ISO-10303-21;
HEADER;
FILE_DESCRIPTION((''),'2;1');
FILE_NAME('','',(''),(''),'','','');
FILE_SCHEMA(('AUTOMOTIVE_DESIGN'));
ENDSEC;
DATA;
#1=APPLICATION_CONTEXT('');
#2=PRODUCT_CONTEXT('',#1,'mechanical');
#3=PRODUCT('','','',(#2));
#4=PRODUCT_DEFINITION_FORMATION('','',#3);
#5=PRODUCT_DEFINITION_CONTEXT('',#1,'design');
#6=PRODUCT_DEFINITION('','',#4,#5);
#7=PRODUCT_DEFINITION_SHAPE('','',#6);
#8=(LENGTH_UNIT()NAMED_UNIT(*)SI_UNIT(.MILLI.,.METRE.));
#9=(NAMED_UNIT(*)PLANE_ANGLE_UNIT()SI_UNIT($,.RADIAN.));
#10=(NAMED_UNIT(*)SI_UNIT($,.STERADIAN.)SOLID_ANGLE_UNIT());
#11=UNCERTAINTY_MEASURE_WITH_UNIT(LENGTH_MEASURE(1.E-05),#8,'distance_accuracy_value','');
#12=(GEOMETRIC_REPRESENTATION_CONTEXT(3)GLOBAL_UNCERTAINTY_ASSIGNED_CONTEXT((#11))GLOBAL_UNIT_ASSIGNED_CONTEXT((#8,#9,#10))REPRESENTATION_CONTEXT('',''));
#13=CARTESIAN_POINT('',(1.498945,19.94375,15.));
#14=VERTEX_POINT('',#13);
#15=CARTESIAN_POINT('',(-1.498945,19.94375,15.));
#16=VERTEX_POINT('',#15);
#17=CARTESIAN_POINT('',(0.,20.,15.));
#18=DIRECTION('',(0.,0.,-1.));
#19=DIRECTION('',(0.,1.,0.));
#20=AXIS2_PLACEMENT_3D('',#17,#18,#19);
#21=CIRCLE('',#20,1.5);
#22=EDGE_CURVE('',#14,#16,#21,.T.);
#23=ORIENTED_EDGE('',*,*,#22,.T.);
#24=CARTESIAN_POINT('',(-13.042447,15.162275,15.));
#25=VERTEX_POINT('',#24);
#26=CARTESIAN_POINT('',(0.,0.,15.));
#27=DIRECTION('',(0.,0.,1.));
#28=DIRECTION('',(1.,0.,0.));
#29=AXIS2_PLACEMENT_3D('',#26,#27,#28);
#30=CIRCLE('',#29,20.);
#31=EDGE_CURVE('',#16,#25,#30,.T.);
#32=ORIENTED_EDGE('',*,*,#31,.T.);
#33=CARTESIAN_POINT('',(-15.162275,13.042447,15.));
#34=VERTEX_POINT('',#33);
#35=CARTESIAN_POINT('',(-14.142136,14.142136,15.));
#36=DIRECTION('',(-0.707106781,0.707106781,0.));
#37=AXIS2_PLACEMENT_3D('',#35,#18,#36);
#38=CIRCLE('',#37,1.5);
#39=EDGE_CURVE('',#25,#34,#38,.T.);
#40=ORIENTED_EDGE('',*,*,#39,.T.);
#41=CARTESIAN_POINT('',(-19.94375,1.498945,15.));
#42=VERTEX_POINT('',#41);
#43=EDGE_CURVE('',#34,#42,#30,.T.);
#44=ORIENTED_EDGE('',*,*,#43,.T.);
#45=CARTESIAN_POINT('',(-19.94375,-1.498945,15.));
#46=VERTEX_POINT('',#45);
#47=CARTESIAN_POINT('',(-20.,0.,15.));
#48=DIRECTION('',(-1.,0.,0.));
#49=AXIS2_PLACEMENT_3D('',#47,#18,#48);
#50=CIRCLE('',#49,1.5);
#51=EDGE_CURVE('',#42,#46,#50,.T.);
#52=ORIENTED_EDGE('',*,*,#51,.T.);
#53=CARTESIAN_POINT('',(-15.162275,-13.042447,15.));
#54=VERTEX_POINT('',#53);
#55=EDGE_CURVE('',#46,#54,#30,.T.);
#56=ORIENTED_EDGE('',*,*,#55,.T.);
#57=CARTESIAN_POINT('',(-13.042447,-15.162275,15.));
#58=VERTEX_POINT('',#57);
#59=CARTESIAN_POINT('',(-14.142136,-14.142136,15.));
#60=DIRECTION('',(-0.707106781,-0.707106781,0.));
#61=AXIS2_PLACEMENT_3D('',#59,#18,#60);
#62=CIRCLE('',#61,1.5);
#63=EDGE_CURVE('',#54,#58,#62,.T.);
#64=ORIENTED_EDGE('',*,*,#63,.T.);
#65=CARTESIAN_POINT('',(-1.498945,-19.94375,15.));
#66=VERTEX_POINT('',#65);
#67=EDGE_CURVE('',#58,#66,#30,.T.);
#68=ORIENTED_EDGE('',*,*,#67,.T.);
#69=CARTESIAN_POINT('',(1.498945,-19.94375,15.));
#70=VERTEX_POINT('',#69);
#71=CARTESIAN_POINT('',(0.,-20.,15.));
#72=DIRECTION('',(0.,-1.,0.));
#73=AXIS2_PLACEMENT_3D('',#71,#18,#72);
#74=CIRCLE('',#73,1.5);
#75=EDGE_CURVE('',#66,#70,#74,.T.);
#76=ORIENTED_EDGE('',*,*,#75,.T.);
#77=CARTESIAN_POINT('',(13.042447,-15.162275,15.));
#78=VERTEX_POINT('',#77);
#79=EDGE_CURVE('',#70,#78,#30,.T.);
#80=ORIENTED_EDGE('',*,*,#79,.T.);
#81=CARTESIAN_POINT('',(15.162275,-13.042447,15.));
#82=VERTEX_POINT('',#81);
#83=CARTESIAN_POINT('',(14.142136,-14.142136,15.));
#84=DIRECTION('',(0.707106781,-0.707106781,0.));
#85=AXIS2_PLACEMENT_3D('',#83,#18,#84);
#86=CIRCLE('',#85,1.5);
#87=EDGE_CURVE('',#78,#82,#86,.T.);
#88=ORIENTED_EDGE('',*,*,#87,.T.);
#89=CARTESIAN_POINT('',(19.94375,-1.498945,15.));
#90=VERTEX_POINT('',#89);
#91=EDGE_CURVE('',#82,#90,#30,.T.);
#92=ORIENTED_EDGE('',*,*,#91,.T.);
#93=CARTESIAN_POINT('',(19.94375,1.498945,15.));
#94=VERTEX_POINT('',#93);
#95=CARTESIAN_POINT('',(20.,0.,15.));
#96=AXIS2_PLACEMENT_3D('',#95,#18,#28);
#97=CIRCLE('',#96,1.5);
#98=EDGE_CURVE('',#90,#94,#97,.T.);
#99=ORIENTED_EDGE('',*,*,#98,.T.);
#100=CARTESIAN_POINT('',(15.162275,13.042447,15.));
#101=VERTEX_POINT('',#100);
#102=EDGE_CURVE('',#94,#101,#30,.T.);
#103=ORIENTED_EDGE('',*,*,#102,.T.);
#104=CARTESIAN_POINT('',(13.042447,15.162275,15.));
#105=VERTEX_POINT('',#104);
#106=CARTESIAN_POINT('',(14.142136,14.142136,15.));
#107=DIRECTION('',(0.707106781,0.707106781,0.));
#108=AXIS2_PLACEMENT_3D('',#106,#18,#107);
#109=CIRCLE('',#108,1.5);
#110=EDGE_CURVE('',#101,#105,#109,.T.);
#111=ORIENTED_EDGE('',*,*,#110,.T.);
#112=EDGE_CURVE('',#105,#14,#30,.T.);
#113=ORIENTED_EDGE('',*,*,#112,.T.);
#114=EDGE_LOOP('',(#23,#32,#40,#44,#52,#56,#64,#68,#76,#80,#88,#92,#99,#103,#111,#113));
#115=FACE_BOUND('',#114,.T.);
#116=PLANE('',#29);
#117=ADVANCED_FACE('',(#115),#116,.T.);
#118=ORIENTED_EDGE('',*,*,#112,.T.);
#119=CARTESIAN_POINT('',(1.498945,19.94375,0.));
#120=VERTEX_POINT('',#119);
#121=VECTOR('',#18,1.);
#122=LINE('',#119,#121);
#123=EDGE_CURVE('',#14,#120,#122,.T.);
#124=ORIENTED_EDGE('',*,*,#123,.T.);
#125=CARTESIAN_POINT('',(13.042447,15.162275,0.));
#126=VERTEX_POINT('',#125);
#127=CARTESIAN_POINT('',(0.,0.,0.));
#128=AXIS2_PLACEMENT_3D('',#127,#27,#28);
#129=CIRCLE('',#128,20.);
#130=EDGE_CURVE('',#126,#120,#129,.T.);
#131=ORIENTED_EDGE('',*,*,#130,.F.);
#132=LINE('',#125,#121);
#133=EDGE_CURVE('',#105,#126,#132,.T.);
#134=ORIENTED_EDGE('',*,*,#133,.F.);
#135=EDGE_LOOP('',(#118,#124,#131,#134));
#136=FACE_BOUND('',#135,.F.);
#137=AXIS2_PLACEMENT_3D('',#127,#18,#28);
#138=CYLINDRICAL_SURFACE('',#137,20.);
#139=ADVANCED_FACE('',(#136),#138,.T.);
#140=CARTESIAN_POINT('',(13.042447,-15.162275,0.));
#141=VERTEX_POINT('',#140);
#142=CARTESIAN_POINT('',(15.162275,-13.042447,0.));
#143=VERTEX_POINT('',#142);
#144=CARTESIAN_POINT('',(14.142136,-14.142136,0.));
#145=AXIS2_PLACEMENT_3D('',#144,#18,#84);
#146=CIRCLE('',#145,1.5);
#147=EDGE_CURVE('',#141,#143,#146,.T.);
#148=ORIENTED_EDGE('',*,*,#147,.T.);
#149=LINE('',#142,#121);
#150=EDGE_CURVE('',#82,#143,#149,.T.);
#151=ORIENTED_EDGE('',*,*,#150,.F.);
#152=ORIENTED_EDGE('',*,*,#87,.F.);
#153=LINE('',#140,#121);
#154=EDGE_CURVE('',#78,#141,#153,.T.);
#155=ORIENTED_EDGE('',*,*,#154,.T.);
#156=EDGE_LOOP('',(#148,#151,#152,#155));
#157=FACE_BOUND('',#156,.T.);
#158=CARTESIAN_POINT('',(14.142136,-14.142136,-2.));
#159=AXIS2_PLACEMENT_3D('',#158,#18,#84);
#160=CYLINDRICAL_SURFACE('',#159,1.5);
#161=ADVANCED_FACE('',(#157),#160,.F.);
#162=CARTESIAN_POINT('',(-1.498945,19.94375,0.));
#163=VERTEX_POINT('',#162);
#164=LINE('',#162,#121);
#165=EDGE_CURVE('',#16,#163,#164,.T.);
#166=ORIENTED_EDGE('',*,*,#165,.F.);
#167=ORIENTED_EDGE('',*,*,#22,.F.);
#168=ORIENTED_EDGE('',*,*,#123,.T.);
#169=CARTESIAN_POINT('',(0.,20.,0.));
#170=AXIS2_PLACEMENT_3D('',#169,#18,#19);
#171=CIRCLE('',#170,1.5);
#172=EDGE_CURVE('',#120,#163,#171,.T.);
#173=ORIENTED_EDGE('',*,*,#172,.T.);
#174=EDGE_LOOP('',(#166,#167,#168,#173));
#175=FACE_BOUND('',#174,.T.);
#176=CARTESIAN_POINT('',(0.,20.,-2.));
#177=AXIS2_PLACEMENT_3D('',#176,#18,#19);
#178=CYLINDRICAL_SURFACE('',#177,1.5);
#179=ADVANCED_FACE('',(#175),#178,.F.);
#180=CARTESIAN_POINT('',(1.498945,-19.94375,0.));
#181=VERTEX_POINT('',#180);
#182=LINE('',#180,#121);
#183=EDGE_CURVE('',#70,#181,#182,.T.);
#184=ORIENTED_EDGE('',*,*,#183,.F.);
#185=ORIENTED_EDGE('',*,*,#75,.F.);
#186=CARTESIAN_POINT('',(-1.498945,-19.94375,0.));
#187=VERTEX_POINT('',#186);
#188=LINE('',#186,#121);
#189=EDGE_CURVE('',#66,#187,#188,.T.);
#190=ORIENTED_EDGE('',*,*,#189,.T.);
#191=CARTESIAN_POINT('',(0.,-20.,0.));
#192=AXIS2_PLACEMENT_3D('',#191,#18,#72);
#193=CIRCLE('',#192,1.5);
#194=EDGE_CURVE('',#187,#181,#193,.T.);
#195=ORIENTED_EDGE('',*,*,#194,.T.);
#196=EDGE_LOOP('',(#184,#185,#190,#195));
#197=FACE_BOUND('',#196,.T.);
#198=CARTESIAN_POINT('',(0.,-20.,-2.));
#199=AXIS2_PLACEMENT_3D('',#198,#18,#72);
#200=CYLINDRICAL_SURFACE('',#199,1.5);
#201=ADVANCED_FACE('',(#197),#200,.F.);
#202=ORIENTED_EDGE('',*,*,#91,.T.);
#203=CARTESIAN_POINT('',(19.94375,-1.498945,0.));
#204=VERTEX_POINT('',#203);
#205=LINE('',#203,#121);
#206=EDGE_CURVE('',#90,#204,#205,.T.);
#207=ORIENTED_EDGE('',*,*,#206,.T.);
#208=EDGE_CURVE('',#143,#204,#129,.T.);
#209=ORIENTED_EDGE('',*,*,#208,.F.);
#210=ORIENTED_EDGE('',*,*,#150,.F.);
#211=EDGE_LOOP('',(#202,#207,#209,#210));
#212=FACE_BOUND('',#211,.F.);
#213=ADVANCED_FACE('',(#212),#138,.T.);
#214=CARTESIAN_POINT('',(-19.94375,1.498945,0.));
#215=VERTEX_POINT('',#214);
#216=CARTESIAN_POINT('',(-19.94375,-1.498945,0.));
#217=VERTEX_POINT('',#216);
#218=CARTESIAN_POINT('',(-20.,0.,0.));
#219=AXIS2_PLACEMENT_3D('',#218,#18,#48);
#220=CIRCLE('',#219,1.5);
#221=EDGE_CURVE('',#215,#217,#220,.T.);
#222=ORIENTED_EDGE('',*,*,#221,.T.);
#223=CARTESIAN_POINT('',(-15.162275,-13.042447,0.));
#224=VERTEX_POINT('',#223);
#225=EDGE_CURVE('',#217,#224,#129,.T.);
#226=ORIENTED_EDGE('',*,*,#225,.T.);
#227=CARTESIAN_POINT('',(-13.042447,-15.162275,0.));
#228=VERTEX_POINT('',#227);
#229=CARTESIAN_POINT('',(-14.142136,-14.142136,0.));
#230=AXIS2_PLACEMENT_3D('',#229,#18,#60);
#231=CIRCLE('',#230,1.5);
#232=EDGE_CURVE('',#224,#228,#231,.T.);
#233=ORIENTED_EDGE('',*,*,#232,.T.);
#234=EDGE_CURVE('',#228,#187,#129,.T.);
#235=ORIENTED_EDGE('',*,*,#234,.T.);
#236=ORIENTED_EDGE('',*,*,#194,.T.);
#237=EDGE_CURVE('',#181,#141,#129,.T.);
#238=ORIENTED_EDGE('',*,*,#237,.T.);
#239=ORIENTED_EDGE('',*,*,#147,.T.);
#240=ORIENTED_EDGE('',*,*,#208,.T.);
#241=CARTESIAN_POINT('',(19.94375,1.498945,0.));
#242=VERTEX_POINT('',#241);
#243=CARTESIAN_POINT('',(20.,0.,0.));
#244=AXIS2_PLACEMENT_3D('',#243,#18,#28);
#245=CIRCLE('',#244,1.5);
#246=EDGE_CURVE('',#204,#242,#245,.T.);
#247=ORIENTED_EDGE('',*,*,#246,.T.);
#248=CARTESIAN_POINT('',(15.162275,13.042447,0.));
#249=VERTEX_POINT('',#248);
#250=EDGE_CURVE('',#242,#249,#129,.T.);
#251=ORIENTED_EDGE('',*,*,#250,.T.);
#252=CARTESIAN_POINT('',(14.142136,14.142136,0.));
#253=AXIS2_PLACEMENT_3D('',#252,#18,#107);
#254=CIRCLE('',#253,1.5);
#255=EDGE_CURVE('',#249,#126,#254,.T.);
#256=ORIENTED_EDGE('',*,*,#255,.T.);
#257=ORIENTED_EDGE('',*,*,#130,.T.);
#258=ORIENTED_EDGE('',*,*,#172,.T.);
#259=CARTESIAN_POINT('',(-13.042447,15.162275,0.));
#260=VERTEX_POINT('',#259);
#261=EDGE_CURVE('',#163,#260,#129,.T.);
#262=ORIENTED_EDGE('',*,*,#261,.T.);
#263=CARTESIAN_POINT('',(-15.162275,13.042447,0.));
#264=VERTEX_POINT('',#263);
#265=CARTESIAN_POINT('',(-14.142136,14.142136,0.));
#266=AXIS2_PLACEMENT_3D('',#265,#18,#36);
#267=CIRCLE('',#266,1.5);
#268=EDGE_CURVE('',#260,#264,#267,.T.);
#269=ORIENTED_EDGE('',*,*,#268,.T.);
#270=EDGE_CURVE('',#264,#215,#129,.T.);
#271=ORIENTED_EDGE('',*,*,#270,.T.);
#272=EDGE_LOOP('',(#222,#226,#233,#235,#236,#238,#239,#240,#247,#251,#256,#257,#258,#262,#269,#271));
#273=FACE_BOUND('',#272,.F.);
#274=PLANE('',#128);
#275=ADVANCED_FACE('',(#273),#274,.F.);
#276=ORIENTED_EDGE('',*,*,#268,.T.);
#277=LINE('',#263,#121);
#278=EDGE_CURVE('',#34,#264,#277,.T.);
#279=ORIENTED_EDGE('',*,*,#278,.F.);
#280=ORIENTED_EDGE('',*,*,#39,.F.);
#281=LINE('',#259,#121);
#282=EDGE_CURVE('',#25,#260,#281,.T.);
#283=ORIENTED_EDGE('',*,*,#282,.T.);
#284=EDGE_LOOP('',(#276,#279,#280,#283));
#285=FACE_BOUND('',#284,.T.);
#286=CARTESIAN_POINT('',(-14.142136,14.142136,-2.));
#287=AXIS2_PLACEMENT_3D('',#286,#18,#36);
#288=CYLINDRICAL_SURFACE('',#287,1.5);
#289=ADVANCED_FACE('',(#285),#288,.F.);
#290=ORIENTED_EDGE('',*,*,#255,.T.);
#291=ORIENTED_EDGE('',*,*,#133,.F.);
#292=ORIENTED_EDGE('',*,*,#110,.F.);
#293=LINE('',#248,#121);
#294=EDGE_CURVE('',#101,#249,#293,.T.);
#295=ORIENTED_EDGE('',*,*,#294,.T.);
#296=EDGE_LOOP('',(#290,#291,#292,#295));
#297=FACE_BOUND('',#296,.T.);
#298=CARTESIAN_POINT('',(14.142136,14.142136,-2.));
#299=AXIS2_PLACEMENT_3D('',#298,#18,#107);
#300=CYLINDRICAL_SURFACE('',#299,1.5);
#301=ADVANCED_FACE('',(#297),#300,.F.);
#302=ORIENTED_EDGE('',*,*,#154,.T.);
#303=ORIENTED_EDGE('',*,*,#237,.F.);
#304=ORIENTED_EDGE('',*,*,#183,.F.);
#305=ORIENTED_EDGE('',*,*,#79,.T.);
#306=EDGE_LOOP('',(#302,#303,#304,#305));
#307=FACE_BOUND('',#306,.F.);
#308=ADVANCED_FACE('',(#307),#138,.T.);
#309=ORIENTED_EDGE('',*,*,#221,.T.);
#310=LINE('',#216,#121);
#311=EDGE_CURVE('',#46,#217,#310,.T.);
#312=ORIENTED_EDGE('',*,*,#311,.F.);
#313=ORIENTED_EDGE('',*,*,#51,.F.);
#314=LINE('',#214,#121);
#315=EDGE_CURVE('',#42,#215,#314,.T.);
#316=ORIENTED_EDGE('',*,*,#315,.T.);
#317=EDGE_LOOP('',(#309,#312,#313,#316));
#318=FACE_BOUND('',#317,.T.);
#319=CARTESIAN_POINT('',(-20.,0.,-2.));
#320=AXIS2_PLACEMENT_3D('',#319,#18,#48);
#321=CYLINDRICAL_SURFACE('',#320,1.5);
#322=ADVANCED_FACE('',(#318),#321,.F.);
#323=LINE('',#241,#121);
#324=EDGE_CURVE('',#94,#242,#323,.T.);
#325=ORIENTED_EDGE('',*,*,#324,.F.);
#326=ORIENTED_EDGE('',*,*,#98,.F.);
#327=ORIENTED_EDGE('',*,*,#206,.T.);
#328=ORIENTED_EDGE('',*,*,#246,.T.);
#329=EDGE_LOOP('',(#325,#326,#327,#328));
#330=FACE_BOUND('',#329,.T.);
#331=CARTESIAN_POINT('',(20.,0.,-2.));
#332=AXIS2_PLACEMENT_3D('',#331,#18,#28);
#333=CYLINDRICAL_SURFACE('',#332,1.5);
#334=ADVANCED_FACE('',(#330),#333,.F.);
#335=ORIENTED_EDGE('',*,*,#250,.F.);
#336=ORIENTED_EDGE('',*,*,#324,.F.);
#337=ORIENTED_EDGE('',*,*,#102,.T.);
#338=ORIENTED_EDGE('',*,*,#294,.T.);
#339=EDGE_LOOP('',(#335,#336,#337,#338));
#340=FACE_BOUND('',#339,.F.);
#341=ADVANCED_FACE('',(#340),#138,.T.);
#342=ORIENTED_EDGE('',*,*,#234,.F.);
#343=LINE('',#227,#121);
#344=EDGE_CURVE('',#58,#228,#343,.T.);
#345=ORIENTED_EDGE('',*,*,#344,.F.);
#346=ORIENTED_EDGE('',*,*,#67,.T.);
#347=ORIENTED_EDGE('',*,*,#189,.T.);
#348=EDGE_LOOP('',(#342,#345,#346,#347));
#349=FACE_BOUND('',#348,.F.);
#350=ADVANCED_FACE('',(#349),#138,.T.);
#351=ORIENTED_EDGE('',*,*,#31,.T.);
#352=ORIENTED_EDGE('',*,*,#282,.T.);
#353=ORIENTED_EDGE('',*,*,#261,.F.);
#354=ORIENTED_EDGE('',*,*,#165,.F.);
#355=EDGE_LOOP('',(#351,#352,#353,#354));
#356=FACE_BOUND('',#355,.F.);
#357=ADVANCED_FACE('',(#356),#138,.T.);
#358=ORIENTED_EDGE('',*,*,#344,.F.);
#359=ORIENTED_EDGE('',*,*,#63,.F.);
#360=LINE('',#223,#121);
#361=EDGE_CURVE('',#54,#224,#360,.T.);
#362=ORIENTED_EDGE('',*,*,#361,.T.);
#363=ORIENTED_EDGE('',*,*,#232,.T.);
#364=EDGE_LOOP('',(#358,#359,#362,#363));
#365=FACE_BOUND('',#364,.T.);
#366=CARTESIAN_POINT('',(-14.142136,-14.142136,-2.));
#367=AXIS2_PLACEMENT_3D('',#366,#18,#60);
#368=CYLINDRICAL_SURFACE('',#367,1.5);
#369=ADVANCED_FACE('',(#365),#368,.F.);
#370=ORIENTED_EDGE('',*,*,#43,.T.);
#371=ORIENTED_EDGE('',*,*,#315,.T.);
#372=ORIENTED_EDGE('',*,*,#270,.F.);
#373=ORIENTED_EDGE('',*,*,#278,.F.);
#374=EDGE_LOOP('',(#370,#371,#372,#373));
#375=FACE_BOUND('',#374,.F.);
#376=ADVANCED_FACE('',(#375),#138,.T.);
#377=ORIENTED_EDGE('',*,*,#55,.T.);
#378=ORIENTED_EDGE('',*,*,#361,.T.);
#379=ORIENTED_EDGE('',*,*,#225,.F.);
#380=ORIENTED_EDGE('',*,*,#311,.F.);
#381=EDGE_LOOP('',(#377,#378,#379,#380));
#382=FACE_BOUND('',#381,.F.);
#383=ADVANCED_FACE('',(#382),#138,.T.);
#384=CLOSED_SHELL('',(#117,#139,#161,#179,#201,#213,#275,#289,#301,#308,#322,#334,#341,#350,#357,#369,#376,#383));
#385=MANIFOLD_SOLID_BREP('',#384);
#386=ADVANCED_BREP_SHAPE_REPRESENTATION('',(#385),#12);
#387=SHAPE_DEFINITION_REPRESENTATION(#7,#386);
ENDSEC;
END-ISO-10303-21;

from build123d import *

# Parameters (mm, degrees)
CYLINDER001_R     = 1.5
CYLINDER001_DEPTH = 20
ARRAY_COUNT       = 8
CYLINDER_R        = 20
CYLINDER_DEPTH    = 15


with BuildPart() as array:
    # Cylinder001 → Cylinder001 (new body)
    with BuildSketch(Plane(origin=(20, 0, -2), x_dir=(1, 0, 0), z_dir=(0, 0, 1))):
        Circle(CYLINDER001_R)
    extrude(amount=CYLINDER001_DEPTH)

    # Array: Array ×8 about axis
    array_axis = Axis((0, 0, 0), (0, 0, 1))


with BuildPart() as array_1:
    add(array.part)
    for i in range(1, ARRAY_COUNT):
        add(array.part.rotate(array_axis, i * 360 / ARRAY_COUNT))


with BuildPart() as cut:
    # Cylinder → Cylinder (new body)
    with BuildSketch(Plane.XY):
        Circle(CYLINDER_R)
    extrude(amount=CYLINDER_DEPTH)

    # Cut: cut Array
    add(array_1.part, mode=Mode.SUBTRACT)


solid = cut.part
